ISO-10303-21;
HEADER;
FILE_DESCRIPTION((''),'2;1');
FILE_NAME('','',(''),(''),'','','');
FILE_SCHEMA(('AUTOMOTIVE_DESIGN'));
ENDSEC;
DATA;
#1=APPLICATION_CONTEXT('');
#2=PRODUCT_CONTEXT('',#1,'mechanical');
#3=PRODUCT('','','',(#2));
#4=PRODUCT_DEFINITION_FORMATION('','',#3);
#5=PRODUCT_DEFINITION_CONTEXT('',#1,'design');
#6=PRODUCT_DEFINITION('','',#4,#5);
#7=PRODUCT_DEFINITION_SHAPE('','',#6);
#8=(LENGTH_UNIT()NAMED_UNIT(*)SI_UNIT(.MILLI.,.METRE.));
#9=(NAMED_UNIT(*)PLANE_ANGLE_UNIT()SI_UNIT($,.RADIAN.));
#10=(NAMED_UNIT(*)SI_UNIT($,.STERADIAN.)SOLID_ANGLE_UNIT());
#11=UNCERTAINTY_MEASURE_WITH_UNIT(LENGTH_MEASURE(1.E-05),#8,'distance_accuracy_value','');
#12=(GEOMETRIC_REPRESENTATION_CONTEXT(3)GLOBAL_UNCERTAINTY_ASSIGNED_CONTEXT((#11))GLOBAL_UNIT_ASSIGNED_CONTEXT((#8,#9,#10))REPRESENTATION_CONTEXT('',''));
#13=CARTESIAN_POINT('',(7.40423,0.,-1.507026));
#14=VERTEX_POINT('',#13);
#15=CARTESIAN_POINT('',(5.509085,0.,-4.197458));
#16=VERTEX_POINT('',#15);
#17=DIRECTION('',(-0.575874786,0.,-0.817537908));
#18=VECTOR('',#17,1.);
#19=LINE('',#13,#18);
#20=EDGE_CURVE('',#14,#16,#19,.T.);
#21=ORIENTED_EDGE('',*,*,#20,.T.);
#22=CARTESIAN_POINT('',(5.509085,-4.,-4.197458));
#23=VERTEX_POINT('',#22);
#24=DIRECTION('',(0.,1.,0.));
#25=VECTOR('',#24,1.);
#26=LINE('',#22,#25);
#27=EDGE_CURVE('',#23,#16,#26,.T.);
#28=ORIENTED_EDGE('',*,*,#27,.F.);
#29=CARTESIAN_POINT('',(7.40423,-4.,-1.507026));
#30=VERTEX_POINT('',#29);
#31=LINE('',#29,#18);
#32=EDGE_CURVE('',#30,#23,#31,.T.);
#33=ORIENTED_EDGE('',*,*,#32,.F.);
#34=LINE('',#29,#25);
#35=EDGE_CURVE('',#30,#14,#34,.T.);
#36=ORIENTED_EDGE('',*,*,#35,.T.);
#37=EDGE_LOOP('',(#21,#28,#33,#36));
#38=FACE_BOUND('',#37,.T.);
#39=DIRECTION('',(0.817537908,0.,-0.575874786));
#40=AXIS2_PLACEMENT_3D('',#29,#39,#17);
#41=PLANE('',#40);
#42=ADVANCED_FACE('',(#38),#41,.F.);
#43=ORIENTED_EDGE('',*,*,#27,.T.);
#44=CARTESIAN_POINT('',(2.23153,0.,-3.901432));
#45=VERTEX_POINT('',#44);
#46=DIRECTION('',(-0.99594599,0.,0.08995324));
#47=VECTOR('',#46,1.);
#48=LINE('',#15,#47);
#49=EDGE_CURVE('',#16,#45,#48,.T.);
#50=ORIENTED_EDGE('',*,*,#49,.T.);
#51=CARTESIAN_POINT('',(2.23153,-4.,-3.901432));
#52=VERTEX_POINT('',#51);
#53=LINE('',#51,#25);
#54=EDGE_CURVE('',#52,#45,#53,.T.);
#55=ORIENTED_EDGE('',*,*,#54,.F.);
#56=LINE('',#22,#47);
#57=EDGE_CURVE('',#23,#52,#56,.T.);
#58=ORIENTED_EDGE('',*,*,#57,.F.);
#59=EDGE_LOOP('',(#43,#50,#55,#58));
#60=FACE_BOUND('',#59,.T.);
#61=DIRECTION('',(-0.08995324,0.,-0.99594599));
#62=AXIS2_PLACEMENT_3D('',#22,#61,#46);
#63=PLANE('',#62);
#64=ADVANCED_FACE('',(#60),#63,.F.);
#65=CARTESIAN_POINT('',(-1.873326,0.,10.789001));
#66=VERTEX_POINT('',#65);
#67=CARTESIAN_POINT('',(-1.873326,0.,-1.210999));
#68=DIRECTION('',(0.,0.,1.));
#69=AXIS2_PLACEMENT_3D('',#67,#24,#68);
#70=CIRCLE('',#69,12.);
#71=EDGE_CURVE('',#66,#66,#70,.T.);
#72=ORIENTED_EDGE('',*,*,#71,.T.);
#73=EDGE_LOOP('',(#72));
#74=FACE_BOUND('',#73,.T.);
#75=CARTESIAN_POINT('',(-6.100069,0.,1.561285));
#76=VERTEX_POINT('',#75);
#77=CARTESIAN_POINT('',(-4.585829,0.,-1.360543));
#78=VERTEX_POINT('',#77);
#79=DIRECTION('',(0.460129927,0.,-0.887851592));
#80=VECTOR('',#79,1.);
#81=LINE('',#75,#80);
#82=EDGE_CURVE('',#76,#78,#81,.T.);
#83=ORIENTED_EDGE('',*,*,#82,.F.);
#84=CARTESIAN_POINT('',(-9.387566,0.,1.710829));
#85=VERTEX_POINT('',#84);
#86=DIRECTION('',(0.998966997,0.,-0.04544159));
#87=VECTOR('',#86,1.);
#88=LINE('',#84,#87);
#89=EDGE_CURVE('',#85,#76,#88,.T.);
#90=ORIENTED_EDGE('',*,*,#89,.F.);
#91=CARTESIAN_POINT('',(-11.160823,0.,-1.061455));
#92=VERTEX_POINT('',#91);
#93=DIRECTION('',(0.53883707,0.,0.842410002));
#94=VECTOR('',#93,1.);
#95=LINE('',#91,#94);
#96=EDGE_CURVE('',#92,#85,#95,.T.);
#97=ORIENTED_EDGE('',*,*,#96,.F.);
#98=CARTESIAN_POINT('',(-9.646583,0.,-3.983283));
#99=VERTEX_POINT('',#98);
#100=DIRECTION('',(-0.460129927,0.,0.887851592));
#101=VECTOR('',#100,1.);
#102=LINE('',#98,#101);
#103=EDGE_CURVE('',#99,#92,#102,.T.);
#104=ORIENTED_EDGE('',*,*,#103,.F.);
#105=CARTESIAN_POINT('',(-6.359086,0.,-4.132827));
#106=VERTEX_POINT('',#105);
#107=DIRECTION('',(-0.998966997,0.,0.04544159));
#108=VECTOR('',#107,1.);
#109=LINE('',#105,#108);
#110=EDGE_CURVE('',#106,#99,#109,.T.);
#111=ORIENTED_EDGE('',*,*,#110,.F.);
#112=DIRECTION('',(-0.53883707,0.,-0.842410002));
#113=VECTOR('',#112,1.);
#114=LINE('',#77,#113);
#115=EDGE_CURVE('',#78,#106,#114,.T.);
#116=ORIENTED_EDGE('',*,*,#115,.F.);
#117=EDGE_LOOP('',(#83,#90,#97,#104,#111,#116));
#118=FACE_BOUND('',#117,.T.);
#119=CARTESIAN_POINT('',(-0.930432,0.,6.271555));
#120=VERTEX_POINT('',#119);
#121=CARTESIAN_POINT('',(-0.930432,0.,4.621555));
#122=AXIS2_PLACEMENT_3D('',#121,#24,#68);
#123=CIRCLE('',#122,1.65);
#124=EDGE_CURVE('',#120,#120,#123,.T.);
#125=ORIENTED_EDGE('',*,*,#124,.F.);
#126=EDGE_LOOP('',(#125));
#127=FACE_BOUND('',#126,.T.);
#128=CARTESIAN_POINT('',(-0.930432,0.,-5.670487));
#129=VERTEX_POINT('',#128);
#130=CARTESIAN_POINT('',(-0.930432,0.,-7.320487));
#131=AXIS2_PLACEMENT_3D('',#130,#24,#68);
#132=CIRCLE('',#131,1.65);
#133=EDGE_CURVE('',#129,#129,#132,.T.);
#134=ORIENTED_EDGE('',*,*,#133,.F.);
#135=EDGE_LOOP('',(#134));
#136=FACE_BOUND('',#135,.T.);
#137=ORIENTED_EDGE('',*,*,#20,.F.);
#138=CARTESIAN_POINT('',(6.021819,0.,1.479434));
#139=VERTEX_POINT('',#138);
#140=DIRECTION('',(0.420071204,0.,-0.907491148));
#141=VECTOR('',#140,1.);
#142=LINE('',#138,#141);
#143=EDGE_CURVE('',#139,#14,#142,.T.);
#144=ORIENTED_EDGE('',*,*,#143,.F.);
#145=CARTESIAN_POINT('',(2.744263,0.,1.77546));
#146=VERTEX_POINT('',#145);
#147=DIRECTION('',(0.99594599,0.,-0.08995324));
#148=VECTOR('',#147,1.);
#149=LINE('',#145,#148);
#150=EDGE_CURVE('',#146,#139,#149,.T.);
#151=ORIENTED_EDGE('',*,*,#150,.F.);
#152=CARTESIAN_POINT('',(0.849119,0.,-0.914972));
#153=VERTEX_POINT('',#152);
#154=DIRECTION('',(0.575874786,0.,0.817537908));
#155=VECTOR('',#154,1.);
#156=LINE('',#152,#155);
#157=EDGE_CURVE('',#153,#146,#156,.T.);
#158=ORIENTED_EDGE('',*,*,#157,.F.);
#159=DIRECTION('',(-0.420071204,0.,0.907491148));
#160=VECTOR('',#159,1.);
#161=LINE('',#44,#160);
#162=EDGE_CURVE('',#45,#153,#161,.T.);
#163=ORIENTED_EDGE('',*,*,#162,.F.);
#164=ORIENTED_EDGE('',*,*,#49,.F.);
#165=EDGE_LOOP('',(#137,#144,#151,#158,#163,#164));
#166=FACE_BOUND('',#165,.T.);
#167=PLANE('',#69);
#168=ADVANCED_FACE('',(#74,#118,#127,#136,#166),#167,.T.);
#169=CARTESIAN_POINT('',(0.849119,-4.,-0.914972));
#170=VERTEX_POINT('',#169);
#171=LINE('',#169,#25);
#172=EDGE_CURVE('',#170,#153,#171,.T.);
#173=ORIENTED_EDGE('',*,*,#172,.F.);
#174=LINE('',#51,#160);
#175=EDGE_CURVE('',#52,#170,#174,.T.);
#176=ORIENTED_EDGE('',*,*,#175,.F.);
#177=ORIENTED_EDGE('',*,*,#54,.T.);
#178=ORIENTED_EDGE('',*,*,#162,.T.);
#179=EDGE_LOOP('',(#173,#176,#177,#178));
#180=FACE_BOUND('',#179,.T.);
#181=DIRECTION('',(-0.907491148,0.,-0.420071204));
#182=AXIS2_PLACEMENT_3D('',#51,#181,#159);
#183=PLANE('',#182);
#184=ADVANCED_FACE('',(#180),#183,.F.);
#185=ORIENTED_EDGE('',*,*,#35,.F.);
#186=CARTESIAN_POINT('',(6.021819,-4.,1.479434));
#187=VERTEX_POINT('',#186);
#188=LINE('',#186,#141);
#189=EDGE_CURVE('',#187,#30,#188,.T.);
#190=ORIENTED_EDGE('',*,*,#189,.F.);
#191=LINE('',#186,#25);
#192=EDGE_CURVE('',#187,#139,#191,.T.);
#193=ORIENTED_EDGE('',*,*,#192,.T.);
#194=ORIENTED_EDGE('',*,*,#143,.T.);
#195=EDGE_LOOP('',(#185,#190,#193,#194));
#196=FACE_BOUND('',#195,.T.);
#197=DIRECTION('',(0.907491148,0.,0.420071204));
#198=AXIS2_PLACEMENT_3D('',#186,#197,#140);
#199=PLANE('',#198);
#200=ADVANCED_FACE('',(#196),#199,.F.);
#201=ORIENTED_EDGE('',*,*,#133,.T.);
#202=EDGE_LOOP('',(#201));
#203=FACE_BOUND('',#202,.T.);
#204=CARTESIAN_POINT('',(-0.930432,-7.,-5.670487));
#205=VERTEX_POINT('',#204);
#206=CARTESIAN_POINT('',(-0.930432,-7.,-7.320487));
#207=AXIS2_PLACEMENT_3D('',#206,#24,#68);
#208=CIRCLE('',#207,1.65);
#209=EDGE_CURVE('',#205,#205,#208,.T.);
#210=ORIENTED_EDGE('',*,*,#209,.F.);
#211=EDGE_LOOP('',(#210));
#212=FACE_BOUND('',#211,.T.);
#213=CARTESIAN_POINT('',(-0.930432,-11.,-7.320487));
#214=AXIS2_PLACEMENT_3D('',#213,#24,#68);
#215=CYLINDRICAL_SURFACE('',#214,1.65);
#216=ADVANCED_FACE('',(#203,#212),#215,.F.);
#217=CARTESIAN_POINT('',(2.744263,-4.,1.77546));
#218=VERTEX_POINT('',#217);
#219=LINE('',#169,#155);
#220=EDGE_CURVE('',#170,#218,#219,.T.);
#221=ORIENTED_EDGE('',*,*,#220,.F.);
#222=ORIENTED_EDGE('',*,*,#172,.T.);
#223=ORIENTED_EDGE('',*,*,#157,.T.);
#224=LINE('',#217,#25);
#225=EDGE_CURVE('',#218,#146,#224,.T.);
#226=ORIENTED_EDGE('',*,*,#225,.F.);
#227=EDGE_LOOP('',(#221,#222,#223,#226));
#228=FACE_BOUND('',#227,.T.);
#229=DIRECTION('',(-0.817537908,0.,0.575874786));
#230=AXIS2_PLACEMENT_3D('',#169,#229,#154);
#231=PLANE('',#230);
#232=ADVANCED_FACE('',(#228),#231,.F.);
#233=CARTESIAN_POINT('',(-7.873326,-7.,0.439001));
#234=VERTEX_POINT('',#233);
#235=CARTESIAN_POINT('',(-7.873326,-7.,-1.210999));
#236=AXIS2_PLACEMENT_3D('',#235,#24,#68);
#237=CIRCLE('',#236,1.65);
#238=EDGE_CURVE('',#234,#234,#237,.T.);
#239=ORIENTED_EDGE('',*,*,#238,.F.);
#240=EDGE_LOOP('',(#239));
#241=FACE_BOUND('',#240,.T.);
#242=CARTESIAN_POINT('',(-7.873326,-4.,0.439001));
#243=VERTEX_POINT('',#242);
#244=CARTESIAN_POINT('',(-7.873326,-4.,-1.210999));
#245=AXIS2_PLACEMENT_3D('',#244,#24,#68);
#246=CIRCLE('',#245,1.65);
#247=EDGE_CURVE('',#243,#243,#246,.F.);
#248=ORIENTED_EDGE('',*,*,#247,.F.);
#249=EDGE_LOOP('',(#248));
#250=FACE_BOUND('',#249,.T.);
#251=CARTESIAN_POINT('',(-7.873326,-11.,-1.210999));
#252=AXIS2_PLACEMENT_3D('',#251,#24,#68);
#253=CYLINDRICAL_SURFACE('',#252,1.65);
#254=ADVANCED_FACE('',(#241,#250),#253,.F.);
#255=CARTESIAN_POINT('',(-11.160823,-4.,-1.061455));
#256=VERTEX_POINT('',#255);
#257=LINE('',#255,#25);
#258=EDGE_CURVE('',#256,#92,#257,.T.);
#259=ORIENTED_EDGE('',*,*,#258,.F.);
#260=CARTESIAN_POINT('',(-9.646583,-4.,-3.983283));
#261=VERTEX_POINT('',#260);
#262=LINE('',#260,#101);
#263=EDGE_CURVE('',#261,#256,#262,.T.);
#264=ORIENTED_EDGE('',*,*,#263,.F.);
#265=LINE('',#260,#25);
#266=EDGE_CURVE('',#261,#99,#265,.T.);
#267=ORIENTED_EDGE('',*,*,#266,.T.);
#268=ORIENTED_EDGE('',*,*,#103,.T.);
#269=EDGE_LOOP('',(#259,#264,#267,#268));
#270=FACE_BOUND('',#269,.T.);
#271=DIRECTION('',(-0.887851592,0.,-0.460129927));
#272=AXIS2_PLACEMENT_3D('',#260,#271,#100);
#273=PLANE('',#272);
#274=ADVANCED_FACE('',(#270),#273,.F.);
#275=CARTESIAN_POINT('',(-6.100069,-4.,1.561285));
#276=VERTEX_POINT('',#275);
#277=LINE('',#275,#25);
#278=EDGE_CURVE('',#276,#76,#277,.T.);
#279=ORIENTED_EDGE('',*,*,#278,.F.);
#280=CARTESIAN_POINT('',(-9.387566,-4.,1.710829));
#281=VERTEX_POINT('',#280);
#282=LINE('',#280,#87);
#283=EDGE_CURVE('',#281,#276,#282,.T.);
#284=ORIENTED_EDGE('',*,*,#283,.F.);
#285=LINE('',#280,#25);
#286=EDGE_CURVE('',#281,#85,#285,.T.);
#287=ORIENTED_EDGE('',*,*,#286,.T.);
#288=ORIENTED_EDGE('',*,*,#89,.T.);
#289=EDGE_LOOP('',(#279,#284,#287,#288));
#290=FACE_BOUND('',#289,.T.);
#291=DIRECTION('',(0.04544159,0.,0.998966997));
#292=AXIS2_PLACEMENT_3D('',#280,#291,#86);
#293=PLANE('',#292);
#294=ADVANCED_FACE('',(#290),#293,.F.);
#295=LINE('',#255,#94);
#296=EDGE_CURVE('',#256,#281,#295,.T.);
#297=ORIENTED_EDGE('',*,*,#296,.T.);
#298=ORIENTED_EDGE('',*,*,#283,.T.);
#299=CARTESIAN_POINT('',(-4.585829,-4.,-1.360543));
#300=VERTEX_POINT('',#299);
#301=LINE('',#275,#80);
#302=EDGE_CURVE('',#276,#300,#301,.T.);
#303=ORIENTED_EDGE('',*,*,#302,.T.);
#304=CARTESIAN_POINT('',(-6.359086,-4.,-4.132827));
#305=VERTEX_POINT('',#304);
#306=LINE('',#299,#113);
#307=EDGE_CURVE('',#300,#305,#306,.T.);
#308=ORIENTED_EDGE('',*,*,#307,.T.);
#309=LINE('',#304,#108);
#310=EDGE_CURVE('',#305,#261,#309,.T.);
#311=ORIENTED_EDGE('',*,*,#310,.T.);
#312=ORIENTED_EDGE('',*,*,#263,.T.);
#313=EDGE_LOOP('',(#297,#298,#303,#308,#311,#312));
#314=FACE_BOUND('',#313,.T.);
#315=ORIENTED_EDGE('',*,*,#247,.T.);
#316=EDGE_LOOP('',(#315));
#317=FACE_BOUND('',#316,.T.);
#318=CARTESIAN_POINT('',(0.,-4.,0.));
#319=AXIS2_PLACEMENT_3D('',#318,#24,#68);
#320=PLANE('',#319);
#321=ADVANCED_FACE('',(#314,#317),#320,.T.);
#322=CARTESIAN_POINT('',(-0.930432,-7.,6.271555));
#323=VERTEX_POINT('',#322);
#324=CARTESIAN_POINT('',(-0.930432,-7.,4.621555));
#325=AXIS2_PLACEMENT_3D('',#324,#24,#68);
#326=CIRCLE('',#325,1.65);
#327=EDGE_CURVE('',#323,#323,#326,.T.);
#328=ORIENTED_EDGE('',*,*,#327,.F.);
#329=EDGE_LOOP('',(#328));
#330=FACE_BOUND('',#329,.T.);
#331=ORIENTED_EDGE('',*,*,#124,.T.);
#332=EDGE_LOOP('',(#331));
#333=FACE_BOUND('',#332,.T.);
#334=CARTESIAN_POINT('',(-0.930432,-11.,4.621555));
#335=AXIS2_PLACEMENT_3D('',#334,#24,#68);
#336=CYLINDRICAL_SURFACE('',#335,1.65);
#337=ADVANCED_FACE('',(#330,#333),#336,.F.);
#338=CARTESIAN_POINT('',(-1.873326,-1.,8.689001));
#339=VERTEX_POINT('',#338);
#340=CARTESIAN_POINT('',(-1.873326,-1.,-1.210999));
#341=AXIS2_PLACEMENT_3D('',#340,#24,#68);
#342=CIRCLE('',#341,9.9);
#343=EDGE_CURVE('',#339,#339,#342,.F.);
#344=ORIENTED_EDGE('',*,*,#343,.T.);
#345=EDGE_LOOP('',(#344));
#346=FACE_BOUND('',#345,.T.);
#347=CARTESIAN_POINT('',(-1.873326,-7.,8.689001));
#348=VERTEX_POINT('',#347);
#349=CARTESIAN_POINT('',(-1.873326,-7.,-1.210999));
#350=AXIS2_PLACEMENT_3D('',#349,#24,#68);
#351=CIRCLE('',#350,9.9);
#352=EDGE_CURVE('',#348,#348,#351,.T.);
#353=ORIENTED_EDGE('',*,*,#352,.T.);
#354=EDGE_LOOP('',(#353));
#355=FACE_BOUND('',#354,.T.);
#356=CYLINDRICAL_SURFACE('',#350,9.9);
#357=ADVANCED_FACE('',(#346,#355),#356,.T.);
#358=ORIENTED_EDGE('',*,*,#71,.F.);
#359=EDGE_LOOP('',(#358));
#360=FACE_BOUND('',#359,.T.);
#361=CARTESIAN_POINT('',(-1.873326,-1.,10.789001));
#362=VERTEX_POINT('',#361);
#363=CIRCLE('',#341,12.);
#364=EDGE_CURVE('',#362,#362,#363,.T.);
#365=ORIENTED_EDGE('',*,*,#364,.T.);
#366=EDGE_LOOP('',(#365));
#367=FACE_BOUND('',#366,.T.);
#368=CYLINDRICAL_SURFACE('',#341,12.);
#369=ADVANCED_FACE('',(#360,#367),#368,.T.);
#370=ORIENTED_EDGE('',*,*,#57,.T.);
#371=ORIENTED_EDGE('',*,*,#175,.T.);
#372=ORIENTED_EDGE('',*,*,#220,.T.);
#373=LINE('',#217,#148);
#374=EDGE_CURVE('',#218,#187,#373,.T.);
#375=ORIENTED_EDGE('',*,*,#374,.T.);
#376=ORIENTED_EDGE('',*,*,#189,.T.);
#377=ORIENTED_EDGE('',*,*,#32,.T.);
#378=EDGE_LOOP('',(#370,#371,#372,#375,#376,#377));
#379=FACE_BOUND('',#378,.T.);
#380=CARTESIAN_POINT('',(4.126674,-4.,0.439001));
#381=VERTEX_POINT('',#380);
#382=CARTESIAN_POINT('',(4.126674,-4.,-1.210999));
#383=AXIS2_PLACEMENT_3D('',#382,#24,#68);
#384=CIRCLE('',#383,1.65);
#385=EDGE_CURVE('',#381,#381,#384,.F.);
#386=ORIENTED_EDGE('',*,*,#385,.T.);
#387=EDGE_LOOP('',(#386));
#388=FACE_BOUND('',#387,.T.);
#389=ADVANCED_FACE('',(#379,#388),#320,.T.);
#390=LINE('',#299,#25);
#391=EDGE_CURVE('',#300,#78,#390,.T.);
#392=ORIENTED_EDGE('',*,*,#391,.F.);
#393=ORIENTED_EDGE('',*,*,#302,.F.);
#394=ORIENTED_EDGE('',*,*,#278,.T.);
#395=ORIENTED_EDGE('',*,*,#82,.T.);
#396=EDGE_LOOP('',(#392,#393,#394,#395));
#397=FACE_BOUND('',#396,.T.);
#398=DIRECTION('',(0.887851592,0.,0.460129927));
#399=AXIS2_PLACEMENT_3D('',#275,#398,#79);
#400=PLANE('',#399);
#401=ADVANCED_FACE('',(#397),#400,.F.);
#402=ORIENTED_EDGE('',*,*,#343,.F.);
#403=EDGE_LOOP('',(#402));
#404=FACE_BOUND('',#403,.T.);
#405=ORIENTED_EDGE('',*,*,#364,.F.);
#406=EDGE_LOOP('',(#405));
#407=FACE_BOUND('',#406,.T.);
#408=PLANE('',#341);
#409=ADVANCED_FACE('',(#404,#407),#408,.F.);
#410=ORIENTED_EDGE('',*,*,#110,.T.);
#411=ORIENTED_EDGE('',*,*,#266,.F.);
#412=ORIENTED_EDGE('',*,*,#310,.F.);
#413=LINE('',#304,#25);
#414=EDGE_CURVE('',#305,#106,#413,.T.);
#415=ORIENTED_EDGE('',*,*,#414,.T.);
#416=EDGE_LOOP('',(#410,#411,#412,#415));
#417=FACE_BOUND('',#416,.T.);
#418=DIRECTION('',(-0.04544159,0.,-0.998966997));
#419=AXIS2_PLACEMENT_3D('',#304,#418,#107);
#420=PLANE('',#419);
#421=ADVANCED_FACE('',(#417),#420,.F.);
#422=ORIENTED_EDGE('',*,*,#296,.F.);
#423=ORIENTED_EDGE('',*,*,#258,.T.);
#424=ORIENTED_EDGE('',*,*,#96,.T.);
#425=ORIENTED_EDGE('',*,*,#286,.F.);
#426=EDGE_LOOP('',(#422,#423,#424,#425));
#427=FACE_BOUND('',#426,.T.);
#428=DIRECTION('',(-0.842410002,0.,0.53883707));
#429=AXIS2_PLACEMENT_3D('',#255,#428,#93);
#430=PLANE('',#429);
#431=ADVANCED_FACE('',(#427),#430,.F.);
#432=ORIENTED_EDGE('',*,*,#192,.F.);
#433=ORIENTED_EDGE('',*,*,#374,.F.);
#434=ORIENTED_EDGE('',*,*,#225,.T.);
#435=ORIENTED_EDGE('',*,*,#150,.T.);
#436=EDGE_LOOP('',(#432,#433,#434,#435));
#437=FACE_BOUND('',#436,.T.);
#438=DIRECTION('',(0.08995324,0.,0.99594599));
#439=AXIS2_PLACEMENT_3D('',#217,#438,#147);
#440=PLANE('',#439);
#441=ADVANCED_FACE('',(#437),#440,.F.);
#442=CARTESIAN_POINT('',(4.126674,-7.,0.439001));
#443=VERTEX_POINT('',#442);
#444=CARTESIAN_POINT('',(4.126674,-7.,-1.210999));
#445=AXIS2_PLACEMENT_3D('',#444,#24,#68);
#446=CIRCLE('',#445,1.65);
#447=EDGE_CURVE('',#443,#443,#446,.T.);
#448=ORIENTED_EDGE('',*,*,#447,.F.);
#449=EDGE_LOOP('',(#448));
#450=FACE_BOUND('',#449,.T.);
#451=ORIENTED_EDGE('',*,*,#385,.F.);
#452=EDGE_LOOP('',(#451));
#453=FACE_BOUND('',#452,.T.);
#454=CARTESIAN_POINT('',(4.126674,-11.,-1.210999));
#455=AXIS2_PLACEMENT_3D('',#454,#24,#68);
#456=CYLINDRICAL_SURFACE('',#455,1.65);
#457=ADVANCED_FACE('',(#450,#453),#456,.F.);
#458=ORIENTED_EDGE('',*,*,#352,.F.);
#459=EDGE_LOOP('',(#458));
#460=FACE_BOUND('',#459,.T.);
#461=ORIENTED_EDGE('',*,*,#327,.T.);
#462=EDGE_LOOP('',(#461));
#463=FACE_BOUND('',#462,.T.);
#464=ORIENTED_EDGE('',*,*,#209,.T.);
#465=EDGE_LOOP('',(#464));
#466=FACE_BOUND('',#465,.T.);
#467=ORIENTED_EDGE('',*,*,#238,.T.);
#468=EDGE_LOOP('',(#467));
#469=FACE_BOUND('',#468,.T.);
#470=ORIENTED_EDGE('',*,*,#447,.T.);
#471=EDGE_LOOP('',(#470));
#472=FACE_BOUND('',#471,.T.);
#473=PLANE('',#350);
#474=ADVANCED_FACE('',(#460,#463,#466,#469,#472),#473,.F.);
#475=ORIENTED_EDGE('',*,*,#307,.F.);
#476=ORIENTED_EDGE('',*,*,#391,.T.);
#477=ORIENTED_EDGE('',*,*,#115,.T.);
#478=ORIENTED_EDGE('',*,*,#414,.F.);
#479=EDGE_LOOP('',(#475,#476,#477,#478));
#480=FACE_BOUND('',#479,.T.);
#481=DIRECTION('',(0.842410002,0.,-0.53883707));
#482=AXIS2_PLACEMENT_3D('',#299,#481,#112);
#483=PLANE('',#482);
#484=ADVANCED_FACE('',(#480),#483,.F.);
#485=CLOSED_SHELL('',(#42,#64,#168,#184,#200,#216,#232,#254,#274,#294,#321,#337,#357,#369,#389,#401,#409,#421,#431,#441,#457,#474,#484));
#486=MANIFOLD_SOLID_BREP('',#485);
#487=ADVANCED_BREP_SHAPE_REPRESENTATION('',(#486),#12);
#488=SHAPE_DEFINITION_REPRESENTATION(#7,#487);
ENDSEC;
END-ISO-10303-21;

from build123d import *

# Parameters (mm, degrees)
SKETCH1_R           = 9.9
BOSS_EXTRUDE1_DEPTH = 7
SKETCH1_3_R         = 12
BOSS_EXTRUDE2_DEPTH = 1
SKETCH1_4_R         = 1.65
CUT_EXTRUDE1_DEPTH  = 11
CUT_EXTRUDE2_DEPTH  = 4


with BuildPart() as part:
    # Sketch1 → Boss-Extrude1 (new body)
    with BuildSketch(Plane(origin=(0, 0, 0), x_dir=(1, 0, 0), z_dir=(0, 1, 0))):
        with Locations((-1.873325665, 1.210998997)):
            Circle(SKETCH1_R)
    extrude(amount=-BOSS_EXTRUDE1_DEPTH)

    # Sketch1<3> → Boss-Extrude2 (add)
    with BuildSketch(Plane(origin=(0, 0, 0), x_dir=(1, 0, 0), z_dir=(0, 1, 0))):
        with Locations((-1.873325665, 1.210998997)):
            Circle(SKETCH1_3_R)
    extrude(amount=-BOSS_EXTRUDE2_DEPTH)

    # Sketch1<4> → Cut-Extrude1 (cut)
    with BuildSketch(Plane(origin=(0, 0, 0), x_dir=(1, 0, 0), z_dir=(0, 1, 0))):
        with Locations((-0.93043169, 7.320486504)):
            Circle(SKETCH1_4_R)
        with Locations((-0.93043169, -4.621555184)):
            Circle(SKETCH1_4_R)
        with Locations((-7.873325665, 1.210998997)):
            Circle(SKETCH1_4_R)
        with Locations((4.126674335, 1.210998997)):
            Circle(SKETCH1_4_R)
    extrude(amount=-CUT_EXTRUDE1_DEPTH, mode=Mode.SUBTRACT)

    # Sketch1<5> → Cut-Extrude2 (cut)
    with BuildSketch(Plane(origin=(0, 0, 0), x_dir=(1, 0, 0), z_dir=(0, 1, 0))):
        Polygon((-6.100068619, -1.56128516), (-4.585828635, 1.360542568), (-6.359085682, 4.132826725), (-9.646582711, 3.983283154), (-11.160822695, 1.061455426), (-9.387565648, -1.710828731), align=None)
        Polygon((6.021818673, -1.47943367), (7.404229541, 1.507025804), (5.509085203, 4.197458471), (2.231529997, 3.901431664), (0.849119129, 0.91497219), (2.744263467, -1.775460477), align=None)
    extrude(amount=-CUT_EXTRUDE2_DEPTH, mode=Mode.SUBTRACT)


solid = part.part
